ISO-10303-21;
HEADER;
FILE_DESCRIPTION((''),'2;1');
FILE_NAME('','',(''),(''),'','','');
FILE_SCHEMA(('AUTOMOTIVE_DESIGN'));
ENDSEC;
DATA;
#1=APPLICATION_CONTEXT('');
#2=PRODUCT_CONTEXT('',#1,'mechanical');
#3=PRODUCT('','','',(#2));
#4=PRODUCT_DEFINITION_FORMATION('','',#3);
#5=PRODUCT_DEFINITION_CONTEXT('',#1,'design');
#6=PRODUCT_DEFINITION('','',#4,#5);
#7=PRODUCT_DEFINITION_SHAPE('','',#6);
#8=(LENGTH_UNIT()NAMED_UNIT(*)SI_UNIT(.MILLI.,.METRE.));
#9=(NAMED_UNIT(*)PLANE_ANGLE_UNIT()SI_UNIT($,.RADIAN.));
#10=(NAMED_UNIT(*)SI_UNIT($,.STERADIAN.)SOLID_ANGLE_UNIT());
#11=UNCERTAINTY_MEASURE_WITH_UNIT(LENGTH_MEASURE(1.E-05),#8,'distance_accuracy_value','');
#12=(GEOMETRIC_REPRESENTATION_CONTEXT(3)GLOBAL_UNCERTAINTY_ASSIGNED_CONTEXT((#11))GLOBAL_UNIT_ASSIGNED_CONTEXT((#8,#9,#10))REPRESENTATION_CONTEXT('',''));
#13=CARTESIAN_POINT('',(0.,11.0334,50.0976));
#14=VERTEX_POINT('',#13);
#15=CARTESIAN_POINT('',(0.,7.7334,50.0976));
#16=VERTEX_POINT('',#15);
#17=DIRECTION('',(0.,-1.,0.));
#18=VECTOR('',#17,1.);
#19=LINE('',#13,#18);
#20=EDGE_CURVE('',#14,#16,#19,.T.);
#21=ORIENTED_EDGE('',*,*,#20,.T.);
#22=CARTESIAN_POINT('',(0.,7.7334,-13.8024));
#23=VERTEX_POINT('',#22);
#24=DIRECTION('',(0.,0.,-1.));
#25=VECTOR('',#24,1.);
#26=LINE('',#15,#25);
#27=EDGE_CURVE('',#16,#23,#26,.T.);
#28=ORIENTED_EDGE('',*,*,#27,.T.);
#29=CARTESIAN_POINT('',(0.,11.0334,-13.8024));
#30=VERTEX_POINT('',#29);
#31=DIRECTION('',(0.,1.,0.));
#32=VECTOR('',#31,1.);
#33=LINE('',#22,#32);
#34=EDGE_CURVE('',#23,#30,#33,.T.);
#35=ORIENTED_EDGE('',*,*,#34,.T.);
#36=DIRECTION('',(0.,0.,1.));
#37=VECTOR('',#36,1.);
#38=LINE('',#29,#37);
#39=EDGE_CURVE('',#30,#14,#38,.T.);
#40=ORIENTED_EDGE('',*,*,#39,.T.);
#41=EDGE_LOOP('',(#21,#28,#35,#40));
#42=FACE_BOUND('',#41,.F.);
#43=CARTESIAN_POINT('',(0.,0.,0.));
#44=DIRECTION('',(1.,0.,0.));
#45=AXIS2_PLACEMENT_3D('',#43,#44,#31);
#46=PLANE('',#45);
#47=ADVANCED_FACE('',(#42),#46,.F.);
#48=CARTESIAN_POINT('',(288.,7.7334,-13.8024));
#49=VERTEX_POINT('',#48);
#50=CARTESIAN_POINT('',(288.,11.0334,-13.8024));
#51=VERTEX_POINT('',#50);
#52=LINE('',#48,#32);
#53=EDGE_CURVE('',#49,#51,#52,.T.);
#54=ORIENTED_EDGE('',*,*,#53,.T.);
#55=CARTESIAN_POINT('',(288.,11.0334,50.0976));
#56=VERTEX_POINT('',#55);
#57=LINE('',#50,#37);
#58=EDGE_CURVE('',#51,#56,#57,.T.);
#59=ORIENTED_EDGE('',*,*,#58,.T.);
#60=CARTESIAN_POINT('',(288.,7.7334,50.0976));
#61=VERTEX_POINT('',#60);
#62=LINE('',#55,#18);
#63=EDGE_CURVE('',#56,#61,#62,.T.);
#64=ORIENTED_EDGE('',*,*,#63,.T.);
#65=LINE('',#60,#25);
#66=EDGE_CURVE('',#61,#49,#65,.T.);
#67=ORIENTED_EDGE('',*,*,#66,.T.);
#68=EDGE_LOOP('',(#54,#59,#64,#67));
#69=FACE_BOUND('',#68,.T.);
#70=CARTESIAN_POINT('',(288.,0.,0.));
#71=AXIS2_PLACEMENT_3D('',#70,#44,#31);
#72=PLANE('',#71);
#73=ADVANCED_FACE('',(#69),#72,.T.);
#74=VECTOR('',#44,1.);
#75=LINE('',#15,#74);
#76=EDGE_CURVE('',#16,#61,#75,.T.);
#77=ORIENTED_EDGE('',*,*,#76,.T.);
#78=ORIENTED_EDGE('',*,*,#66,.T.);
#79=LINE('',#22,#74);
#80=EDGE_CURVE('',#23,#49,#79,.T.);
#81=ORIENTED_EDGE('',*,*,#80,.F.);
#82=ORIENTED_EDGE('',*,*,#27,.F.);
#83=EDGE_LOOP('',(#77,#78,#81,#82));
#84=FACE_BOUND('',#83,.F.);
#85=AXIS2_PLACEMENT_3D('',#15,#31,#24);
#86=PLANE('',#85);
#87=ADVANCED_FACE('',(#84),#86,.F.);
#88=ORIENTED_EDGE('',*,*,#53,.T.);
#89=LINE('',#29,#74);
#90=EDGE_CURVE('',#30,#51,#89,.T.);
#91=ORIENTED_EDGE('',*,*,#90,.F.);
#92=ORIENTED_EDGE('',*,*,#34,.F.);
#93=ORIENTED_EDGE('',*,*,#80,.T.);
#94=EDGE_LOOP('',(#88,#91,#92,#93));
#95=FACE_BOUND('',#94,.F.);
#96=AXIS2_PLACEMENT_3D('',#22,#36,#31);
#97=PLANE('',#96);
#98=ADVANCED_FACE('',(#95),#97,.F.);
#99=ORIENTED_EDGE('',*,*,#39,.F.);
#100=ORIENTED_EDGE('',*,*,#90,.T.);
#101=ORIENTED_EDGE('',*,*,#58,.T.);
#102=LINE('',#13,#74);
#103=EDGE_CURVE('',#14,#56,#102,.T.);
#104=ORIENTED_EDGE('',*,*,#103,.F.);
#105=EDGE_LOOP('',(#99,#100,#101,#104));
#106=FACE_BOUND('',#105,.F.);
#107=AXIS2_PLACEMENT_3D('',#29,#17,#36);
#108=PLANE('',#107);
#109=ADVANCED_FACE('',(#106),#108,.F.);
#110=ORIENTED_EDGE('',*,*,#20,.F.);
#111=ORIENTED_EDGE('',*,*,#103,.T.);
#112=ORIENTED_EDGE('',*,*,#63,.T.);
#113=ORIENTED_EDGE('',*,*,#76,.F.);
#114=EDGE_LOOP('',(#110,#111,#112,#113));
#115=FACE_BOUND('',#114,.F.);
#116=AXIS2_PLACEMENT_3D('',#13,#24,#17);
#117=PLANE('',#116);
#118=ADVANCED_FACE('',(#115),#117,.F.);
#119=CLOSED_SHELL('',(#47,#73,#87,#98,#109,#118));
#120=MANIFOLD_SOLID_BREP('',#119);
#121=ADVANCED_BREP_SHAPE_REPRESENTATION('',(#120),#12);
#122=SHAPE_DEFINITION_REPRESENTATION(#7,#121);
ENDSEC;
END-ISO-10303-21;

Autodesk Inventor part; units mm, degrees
ref_plane "YZ Plane" through (0, 0, 0) normal (1, 0, 0) x (0, 1, 0)
ref_plane "XZ Plane" through (0, 0, 0) normal (0, 1, 0) x (-1, 0, 0)
ref_plane "XY Plane" through (0, 0, 0) normal (0, 0, 1) x (1, 0, 0)
sketch "Sketch1" plane through (0, 0, 0) normal (1, 0, 0) x (0, 1, 0)
  line L0 (11.0334, 50.0976) -> (7.7334, 50.0976)
  line L1 (7.7334, 50.0976) -> (7.7334, -13.8024)
  line L2 (7.7334, -13.8024) -> (11.0334, -13.8024)
  line L3 (11.0334, -13.8024) -> (11.0334, 50.0976)
  point P0 (0, 0)
  dimension "d0" = 63.9
  dimension "d1" = 3.3
extrude "Extrusion1" add sketch "Sketch1" along normal blind 288
properties part number "platte2"
